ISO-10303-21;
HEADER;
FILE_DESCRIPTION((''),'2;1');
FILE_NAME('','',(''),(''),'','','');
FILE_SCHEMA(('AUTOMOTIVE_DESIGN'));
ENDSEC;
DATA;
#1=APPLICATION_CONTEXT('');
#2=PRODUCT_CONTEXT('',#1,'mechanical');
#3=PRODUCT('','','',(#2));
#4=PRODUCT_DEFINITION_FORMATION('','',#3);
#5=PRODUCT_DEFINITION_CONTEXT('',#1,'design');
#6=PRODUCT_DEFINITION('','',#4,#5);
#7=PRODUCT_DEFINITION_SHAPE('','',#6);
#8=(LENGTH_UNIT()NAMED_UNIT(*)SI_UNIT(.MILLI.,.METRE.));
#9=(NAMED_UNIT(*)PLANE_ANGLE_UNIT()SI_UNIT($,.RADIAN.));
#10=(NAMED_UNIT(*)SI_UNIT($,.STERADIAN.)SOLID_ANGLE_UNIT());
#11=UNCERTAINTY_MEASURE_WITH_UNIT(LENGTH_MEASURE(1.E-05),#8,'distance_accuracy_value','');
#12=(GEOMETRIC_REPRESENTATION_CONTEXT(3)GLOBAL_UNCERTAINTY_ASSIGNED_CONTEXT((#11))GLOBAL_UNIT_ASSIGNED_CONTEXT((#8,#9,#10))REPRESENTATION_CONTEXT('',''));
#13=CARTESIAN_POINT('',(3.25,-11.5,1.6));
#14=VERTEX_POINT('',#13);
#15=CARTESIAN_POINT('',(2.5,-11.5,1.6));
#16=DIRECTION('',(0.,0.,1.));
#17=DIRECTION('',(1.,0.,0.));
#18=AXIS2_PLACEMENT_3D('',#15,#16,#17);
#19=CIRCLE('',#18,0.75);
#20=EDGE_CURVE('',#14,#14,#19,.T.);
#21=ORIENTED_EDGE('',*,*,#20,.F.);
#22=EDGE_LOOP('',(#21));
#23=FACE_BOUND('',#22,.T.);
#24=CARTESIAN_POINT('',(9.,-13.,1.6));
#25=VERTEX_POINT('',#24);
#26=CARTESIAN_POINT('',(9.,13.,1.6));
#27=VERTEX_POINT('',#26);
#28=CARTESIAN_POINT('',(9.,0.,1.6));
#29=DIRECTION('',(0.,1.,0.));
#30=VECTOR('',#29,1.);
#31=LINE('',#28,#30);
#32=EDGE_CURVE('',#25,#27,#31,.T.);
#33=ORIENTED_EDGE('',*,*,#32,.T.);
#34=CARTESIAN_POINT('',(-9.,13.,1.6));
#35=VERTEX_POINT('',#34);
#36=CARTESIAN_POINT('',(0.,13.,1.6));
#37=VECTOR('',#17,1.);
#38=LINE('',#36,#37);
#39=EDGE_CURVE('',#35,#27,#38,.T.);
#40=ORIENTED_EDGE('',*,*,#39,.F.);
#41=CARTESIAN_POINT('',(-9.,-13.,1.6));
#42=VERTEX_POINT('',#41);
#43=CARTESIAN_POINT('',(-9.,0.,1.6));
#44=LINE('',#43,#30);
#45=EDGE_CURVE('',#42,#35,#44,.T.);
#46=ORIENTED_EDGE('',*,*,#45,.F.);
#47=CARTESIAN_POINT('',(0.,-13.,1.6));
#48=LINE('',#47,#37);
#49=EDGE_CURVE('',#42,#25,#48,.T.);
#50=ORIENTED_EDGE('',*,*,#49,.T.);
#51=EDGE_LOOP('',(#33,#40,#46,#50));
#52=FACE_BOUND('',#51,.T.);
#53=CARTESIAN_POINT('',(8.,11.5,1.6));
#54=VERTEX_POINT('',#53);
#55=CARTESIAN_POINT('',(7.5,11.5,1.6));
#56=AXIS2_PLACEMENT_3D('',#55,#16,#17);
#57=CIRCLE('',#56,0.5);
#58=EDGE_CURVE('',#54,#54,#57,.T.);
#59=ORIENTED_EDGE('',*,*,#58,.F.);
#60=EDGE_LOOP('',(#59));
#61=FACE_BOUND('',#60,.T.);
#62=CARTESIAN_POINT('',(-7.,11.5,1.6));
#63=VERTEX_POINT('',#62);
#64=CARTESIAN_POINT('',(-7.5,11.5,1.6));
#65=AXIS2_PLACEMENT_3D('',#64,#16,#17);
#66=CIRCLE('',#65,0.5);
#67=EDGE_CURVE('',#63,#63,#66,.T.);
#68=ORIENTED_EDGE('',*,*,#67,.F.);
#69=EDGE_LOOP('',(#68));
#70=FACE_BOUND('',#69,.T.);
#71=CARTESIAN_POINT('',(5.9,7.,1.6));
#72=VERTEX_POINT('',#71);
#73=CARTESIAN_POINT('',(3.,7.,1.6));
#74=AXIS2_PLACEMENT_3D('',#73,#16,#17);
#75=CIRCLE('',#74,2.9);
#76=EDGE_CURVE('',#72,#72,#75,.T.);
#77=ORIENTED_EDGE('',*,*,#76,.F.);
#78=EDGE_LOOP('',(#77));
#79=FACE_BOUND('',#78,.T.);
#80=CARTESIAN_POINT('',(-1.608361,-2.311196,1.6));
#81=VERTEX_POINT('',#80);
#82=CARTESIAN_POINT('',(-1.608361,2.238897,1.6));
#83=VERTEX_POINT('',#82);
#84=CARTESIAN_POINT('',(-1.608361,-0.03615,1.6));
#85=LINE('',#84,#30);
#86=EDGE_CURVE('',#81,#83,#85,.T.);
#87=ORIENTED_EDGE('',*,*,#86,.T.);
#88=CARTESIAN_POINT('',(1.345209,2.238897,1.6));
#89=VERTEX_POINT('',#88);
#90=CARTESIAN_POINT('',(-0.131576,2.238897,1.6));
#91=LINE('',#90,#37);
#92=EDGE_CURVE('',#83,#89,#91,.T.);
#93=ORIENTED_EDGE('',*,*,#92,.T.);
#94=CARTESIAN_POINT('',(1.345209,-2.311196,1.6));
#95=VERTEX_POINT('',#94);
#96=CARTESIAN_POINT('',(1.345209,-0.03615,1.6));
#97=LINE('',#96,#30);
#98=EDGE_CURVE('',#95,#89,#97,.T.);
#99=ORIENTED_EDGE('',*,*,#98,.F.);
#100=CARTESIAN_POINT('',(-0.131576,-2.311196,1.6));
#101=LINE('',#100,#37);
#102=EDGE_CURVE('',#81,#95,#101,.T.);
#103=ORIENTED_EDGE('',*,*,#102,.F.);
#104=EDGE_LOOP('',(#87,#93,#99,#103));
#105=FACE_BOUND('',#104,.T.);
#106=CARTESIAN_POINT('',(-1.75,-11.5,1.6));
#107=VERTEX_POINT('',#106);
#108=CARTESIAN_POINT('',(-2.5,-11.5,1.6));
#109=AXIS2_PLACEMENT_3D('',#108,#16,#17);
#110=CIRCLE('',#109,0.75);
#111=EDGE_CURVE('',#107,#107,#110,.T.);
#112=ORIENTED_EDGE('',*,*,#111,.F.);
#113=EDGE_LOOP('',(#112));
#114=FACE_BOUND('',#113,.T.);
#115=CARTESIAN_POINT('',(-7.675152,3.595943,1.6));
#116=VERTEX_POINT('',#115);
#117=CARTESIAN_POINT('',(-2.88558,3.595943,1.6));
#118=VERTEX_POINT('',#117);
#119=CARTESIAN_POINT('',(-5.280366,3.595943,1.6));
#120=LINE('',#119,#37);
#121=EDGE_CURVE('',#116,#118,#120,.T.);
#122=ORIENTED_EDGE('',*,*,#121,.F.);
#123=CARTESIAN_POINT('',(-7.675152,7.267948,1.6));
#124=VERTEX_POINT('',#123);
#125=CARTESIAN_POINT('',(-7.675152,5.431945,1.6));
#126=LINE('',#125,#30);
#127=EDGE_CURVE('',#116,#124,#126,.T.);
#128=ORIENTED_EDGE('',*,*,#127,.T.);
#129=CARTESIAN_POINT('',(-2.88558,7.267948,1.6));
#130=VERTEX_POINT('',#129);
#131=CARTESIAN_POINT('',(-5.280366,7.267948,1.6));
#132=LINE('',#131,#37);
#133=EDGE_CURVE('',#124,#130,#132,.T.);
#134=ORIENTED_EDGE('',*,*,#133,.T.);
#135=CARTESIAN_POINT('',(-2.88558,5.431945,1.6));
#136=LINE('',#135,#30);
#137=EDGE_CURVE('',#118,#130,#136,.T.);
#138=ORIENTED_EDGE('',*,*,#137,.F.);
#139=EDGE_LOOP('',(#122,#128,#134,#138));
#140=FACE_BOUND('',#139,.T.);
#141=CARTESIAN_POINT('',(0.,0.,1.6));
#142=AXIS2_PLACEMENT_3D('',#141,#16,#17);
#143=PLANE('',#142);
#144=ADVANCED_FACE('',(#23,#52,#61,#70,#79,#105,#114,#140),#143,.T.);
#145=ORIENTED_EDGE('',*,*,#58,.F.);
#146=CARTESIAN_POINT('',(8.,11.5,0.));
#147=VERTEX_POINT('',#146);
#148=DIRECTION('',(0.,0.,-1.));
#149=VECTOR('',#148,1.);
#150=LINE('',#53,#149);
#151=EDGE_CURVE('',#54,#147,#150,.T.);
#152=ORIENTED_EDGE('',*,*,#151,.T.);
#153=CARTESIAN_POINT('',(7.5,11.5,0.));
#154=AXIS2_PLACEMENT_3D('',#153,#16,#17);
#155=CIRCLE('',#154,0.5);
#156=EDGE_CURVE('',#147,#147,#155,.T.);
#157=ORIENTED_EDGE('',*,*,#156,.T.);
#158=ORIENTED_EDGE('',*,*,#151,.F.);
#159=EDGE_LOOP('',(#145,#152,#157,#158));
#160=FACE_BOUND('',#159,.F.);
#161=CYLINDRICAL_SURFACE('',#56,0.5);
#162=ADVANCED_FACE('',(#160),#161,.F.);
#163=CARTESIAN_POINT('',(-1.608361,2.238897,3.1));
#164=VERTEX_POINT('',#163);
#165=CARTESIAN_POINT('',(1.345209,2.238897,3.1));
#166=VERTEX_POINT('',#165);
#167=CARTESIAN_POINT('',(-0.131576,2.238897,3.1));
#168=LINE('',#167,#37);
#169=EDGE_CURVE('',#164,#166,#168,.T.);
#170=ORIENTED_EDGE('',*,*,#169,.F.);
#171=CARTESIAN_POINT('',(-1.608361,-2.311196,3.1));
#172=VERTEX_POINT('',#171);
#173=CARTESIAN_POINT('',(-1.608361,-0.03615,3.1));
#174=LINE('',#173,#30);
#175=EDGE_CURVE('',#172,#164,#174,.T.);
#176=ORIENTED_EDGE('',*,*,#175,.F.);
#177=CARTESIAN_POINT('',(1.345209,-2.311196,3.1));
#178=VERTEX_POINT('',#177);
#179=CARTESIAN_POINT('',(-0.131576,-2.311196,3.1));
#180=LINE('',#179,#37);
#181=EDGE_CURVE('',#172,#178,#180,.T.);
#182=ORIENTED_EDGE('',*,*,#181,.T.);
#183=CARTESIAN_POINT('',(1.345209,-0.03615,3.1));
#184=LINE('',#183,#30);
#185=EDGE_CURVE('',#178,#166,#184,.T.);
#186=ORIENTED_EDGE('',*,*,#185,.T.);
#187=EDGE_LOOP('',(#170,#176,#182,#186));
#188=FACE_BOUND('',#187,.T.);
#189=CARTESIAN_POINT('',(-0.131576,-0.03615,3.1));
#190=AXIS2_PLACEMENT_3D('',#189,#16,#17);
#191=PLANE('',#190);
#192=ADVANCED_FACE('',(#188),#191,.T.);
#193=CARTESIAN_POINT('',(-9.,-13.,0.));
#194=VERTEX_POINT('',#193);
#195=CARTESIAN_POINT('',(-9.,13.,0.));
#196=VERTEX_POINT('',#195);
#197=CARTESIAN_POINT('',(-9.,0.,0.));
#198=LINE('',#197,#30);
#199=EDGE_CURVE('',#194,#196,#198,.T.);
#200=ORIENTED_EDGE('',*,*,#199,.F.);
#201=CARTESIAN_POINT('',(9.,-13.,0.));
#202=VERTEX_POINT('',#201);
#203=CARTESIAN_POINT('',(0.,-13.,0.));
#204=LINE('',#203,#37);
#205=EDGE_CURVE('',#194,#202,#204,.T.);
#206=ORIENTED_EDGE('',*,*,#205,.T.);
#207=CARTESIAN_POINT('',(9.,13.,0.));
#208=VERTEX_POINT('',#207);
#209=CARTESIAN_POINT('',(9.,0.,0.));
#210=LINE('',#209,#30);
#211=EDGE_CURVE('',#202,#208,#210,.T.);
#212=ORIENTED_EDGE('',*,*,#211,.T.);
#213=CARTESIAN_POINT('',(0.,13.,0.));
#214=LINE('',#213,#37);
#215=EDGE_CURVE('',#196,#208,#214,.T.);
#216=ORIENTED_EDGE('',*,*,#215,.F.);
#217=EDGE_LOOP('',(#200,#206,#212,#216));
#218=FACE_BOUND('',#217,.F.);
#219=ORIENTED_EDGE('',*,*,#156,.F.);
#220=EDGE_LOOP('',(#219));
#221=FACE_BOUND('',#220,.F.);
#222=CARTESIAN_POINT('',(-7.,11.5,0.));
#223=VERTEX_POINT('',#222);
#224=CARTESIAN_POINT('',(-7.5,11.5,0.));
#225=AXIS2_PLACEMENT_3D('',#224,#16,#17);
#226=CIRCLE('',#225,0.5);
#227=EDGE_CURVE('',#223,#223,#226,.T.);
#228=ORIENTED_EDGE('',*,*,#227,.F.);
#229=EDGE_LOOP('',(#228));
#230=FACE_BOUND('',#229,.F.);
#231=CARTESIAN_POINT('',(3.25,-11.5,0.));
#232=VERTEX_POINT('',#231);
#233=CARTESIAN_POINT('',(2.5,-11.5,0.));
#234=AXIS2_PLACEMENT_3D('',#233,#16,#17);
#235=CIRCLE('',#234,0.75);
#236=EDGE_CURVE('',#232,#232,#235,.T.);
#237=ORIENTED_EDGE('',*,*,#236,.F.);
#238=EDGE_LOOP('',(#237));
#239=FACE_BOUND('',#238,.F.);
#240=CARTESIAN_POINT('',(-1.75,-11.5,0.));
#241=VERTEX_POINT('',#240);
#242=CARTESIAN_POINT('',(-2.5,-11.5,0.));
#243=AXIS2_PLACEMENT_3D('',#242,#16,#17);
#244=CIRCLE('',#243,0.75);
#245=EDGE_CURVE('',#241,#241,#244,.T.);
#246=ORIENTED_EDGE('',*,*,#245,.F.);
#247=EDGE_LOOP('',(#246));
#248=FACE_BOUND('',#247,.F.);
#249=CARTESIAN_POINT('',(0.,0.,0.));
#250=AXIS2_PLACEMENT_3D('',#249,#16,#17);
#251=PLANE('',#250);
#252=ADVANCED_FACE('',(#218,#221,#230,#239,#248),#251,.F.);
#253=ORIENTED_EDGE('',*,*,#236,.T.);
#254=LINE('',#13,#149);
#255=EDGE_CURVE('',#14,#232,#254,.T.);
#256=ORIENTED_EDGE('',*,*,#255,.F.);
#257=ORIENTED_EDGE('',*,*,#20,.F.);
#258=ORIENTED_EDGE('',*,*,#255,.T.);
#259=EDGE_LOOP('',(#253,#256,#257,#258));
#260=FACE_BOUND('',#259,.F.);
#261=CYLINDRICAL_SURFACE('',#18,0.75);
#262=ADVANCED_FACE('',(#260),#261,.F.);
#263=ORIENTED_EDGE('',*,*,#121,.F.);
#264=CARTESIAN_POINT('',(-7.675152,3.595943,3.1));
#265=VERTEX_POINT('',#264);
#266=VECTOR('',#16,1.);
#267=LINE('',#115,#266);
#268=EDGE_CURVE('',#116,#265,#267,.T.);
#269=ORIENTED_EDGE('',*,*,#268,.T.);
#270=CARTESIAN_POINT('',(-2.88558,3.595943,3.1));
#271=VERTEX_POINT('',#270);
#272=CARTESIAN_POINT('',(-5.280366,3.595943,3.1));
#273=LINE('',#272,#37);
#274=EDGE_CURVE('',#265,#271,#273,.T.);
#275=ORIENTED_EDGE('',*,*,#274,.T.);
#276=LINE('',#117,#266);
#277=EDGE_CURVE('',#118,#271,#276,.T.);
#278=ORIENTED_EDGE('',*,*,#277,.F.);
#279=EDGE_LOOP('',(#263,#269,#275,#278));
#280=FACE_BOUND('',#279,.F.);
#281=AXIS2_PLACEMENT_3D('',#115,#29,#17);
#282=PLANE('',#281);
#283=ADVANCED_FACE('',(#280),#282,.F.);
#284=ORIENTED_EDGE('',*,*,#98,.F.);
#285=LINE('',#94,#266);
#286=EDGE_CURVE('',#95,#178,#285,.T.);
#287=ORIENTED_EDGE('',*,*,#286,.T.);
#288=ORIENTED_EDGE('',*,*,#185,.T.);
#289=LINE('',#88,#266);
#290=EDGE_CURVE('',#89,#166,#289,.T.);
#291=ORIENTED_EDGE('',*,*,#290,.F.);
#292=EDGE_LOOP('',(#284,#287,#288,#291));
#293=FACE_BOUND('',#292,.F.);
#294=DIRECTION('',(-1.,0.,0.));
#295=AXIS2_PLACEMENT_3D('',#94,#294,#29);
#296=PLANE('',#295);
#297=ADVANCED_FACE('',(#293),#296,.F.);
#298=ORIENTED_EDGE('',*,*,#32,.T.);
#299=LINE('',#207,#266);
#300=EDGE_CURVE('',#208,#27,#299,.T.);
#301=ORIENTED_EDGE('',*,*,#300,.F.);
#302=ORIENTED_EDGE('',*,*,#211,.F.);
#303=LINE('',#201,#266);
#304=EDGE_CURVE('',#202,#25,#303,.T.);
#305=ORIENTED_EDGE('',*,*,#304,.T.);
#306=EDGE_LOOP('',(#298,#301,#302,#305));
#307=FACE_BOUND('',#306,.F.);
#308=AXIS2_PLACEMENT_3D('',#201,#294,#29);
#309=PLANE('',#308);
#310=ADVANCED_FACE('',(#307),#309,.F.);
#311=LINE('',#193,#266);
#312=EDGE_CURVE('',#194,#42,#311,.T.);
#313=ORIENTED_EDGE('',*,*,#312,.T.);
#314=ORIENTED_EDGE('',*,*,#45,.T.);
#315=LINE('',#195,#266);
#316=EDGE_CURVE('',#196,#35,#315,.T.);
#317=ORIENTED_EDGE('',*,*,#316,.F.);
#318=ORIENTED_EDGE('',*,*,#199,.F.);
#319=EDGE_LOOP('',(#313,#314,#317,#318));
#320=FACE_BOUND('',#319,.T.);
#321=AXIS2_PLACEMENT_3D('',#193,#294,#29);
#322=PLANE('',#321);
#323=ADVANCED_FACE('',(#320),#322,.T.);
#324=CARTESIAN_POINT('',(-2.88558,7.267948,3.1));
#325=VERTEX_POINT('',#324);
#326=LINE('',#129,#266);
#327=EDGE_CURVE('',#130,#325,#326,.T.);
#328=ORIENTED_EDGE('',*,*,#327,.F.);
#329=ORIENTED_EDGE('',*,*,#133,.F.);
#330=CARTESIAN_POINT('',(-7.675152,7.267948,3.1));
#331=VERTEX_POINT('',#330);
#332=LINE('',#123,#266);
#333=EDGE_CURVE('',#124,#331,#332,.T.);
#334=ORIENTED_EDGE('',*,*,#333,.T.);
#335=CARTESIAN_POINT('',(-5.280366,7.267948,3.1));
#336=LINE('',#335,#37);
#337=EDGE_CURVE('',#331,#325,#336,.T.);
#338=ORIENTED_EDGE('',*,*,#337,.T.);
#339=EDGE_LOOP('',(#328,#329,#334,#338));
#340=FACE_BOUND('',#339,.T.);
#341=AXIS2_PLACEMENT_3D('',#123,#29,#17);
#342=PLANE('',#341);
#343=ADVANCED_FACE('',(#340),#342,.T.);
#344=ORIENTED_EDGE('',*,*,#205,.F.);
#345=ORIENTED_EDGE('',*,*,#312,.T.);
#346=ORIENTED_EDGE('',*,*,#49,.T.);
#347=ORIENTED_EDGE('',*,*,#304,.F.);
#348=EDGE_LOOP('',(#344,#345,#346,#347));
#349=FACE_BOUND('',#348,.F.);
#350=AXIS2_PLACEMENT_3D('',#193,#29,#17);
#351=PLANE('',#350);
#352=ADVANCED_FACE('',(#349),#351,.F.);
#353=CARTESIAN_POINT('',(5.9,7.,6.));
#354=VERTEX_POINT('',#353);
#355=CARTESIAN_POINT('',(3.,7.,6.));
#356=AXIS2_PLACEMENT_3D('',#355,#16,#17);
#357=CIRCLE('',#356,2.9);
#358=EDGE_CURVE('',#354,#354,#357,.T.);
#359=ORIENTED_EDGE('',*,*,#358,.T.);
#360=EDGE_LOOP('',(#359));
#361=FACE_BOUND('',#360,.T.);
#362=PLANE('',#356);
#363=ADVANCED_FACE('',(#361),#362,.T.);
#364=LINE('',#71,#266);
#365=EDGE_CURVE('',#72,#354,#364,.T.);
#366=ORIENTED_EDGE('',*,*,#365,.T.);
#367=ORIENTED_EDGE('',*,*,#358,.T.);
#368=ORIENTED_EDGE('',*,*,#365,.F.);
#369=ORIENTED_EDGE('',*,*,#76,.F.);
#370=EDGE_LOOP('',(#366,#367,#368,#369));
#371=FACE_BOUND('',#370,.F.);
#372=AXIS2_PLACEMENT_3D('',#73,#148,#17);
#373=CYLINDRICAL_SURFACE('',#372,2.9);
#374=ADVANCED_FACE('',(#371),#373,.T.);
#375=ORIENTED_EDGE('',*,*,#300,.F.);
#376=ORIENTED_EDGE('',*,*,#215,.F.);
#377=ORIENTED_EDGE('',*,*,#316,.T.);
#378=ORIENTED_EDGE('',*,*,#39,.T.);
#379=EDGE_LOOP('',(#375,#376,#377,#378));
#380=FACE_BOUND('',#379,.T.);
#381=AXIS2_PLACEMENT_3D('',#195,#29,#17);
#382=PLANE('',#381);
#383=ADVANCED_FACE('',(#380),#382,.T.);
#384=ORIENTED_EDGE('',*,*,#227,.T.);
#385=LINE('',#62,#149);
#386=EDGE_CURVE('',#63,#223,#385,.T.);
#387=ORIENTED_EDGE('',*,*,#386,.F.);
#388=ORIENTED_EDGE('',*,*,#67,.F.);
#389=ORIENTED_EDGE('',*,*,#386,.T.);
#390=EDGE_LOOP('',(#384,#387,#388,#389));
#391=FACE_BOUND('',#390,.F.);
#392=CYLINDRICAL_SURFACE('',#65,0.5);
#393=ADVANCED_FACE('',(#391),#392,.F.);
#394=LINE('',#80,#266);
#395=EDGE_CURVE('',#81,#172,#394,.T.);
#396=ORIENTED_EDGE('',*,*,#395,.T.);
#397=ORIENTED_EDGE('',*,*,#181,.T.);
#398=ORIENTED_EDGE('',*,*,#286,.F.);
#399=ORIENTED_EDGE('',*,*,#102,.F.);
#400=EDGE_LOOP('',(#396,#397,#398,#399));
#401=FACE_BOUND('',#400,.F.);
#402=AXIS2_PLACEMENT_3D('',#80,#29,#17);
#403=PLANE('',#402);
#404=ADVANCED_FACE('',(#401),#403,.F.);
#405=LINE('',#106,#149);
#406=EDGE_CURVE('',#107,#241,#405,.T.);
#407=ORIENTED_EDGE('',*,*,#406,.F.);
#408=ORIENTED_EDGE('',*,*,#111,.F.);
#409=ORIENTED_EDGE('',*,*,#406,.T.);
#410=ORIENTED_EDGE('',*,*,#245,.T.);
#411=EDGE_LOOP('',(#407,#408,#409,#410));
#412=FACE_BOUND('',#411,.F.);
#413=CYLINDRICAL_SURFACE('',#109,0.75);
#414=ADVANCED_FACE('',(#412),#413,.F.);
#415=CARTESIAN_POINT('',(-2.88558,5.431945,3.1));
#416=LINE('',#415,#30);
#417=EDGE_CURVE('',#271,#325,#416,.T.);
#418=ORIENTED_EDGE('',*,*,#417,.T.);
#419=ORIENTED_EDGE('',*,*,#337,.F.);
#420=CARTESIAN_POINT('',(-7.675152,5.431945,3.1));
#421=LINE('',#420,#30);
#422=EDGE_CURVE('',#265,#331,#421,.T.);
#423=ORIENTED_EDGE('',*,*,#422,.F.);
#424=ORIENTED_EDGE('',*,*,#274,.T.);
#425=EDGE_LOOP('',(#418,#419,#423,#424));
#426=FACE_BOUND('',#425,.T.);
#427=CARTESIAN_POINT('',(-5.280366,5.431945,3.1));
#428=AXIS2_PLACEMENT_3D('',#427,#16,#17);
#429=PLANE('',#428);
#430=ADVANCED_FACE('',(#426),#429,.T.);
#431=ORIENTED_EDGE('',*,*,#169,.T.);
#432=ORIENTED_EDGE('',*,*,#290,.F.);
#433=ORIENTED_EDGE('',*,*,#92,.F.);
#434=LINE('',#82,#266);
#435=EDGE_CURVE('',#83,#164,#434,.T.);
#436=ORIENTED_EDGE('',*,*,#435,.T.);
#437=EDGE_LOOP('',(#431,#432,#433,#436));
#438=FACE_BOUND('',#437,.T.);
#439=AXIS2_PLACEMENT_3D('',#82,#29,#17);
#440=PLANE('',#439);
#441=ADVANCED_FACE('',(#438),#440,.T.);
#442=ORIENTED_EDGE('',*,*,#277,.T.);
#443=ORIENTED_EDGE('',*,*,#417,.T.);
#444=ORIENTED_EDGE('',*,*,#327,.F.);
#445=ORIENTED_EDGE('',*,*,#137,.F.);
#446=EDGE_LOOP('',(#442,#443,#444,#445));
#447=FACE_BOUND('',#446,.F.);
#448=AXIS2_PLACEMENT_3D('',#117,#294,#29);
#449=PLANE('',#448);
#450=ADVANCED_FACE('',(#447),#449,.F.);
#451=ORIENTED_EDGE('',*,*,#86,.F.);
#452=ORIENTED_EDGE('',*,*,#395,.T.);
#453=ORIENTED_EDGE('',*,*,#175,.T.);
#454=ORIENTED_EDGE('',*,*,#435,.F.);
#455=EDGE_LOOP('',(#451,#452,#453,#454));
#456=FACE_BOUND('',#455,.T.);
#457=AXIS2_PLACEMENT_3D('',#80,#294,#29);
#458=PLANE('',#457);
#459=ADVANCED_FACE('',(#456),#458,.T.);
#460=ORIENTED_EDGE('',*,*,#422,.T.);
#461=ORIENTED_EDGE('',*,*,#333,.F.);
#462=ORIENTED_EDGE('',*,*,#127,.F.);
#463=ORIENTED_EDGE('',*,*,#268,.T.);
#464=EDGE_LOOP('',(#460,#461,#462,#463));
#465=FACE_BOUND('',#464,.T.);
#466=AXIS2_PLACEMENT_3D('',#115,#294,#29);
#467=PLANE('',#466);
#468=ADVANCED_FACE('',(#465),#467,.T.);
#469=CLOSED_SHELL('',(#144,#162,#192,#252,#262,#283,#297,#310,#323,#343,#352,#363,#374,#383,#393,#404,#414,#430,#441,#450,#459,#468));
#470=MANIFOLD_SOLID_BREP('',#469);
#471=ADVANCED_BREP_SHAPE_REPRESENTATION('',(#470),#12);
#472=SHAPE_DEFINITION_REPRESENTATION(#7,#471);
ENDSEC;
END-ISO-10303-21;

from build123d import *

# Parameters (mm, degrees)
F0_W     = 18
F0_H     = 26
F1_DEPTH = 1.6
F2_R     = 2.9
F3_DEPTH = 4.4
F4_W     = 4.789572
F4_H     = 3.672005
F4_W_2   = 2.95357
F4_H_2   = 4.550093
F5_DEPTH = 1.5
F6_R     = 0.75
F6_R_2   = 0.5
F7_DEPTH = 25


with BuildPart() as f1:
    # F0 (on Top) → F1 (new body)
    with BuildSketch(Plane.XY):
        Rectangle(F0_W, F0_H)
    extrude(amount=F1_DEPTH)

    # F2 (on face) → F3 (join)
    with BuildSketch(Plane.XY.offset(1.6)):
        with Locations((3, 7)):
            Circle(F2_R)
    extrude(amount=F3_DEPTH)

    # F4 (on face) → F5 (join)
    with BuildSketch(Plane.XY.offset(1.6)):
        with Locations((-5.280366, 5.431945)):
            Rectangle(F4_W, F4_H)
        with Locations((-0.131576, -0.03615)):
            Rectangle(F4_W_2, F4_H_2)
    extrude(amount=F5_DEPTH)

    # F6 (on face) → F7 (cut)
    with BuildSketch(Plane.XY.offset(1.6)):
        with Locations((-2.5, -11.5)):
            Circle(F6_R)
        with Locations((2.5, -11.5)):
            Circle(F6_R)
        with Locations((7.5, 11.5)):
            Circle(F6_R_2)
        with Locations((-7.5, 11.5)):
            Circle(F6_R_2)
    extrude(amount=-F7_DEPTH, mode=Mode.SUBTRACT)


solid = f1.part
